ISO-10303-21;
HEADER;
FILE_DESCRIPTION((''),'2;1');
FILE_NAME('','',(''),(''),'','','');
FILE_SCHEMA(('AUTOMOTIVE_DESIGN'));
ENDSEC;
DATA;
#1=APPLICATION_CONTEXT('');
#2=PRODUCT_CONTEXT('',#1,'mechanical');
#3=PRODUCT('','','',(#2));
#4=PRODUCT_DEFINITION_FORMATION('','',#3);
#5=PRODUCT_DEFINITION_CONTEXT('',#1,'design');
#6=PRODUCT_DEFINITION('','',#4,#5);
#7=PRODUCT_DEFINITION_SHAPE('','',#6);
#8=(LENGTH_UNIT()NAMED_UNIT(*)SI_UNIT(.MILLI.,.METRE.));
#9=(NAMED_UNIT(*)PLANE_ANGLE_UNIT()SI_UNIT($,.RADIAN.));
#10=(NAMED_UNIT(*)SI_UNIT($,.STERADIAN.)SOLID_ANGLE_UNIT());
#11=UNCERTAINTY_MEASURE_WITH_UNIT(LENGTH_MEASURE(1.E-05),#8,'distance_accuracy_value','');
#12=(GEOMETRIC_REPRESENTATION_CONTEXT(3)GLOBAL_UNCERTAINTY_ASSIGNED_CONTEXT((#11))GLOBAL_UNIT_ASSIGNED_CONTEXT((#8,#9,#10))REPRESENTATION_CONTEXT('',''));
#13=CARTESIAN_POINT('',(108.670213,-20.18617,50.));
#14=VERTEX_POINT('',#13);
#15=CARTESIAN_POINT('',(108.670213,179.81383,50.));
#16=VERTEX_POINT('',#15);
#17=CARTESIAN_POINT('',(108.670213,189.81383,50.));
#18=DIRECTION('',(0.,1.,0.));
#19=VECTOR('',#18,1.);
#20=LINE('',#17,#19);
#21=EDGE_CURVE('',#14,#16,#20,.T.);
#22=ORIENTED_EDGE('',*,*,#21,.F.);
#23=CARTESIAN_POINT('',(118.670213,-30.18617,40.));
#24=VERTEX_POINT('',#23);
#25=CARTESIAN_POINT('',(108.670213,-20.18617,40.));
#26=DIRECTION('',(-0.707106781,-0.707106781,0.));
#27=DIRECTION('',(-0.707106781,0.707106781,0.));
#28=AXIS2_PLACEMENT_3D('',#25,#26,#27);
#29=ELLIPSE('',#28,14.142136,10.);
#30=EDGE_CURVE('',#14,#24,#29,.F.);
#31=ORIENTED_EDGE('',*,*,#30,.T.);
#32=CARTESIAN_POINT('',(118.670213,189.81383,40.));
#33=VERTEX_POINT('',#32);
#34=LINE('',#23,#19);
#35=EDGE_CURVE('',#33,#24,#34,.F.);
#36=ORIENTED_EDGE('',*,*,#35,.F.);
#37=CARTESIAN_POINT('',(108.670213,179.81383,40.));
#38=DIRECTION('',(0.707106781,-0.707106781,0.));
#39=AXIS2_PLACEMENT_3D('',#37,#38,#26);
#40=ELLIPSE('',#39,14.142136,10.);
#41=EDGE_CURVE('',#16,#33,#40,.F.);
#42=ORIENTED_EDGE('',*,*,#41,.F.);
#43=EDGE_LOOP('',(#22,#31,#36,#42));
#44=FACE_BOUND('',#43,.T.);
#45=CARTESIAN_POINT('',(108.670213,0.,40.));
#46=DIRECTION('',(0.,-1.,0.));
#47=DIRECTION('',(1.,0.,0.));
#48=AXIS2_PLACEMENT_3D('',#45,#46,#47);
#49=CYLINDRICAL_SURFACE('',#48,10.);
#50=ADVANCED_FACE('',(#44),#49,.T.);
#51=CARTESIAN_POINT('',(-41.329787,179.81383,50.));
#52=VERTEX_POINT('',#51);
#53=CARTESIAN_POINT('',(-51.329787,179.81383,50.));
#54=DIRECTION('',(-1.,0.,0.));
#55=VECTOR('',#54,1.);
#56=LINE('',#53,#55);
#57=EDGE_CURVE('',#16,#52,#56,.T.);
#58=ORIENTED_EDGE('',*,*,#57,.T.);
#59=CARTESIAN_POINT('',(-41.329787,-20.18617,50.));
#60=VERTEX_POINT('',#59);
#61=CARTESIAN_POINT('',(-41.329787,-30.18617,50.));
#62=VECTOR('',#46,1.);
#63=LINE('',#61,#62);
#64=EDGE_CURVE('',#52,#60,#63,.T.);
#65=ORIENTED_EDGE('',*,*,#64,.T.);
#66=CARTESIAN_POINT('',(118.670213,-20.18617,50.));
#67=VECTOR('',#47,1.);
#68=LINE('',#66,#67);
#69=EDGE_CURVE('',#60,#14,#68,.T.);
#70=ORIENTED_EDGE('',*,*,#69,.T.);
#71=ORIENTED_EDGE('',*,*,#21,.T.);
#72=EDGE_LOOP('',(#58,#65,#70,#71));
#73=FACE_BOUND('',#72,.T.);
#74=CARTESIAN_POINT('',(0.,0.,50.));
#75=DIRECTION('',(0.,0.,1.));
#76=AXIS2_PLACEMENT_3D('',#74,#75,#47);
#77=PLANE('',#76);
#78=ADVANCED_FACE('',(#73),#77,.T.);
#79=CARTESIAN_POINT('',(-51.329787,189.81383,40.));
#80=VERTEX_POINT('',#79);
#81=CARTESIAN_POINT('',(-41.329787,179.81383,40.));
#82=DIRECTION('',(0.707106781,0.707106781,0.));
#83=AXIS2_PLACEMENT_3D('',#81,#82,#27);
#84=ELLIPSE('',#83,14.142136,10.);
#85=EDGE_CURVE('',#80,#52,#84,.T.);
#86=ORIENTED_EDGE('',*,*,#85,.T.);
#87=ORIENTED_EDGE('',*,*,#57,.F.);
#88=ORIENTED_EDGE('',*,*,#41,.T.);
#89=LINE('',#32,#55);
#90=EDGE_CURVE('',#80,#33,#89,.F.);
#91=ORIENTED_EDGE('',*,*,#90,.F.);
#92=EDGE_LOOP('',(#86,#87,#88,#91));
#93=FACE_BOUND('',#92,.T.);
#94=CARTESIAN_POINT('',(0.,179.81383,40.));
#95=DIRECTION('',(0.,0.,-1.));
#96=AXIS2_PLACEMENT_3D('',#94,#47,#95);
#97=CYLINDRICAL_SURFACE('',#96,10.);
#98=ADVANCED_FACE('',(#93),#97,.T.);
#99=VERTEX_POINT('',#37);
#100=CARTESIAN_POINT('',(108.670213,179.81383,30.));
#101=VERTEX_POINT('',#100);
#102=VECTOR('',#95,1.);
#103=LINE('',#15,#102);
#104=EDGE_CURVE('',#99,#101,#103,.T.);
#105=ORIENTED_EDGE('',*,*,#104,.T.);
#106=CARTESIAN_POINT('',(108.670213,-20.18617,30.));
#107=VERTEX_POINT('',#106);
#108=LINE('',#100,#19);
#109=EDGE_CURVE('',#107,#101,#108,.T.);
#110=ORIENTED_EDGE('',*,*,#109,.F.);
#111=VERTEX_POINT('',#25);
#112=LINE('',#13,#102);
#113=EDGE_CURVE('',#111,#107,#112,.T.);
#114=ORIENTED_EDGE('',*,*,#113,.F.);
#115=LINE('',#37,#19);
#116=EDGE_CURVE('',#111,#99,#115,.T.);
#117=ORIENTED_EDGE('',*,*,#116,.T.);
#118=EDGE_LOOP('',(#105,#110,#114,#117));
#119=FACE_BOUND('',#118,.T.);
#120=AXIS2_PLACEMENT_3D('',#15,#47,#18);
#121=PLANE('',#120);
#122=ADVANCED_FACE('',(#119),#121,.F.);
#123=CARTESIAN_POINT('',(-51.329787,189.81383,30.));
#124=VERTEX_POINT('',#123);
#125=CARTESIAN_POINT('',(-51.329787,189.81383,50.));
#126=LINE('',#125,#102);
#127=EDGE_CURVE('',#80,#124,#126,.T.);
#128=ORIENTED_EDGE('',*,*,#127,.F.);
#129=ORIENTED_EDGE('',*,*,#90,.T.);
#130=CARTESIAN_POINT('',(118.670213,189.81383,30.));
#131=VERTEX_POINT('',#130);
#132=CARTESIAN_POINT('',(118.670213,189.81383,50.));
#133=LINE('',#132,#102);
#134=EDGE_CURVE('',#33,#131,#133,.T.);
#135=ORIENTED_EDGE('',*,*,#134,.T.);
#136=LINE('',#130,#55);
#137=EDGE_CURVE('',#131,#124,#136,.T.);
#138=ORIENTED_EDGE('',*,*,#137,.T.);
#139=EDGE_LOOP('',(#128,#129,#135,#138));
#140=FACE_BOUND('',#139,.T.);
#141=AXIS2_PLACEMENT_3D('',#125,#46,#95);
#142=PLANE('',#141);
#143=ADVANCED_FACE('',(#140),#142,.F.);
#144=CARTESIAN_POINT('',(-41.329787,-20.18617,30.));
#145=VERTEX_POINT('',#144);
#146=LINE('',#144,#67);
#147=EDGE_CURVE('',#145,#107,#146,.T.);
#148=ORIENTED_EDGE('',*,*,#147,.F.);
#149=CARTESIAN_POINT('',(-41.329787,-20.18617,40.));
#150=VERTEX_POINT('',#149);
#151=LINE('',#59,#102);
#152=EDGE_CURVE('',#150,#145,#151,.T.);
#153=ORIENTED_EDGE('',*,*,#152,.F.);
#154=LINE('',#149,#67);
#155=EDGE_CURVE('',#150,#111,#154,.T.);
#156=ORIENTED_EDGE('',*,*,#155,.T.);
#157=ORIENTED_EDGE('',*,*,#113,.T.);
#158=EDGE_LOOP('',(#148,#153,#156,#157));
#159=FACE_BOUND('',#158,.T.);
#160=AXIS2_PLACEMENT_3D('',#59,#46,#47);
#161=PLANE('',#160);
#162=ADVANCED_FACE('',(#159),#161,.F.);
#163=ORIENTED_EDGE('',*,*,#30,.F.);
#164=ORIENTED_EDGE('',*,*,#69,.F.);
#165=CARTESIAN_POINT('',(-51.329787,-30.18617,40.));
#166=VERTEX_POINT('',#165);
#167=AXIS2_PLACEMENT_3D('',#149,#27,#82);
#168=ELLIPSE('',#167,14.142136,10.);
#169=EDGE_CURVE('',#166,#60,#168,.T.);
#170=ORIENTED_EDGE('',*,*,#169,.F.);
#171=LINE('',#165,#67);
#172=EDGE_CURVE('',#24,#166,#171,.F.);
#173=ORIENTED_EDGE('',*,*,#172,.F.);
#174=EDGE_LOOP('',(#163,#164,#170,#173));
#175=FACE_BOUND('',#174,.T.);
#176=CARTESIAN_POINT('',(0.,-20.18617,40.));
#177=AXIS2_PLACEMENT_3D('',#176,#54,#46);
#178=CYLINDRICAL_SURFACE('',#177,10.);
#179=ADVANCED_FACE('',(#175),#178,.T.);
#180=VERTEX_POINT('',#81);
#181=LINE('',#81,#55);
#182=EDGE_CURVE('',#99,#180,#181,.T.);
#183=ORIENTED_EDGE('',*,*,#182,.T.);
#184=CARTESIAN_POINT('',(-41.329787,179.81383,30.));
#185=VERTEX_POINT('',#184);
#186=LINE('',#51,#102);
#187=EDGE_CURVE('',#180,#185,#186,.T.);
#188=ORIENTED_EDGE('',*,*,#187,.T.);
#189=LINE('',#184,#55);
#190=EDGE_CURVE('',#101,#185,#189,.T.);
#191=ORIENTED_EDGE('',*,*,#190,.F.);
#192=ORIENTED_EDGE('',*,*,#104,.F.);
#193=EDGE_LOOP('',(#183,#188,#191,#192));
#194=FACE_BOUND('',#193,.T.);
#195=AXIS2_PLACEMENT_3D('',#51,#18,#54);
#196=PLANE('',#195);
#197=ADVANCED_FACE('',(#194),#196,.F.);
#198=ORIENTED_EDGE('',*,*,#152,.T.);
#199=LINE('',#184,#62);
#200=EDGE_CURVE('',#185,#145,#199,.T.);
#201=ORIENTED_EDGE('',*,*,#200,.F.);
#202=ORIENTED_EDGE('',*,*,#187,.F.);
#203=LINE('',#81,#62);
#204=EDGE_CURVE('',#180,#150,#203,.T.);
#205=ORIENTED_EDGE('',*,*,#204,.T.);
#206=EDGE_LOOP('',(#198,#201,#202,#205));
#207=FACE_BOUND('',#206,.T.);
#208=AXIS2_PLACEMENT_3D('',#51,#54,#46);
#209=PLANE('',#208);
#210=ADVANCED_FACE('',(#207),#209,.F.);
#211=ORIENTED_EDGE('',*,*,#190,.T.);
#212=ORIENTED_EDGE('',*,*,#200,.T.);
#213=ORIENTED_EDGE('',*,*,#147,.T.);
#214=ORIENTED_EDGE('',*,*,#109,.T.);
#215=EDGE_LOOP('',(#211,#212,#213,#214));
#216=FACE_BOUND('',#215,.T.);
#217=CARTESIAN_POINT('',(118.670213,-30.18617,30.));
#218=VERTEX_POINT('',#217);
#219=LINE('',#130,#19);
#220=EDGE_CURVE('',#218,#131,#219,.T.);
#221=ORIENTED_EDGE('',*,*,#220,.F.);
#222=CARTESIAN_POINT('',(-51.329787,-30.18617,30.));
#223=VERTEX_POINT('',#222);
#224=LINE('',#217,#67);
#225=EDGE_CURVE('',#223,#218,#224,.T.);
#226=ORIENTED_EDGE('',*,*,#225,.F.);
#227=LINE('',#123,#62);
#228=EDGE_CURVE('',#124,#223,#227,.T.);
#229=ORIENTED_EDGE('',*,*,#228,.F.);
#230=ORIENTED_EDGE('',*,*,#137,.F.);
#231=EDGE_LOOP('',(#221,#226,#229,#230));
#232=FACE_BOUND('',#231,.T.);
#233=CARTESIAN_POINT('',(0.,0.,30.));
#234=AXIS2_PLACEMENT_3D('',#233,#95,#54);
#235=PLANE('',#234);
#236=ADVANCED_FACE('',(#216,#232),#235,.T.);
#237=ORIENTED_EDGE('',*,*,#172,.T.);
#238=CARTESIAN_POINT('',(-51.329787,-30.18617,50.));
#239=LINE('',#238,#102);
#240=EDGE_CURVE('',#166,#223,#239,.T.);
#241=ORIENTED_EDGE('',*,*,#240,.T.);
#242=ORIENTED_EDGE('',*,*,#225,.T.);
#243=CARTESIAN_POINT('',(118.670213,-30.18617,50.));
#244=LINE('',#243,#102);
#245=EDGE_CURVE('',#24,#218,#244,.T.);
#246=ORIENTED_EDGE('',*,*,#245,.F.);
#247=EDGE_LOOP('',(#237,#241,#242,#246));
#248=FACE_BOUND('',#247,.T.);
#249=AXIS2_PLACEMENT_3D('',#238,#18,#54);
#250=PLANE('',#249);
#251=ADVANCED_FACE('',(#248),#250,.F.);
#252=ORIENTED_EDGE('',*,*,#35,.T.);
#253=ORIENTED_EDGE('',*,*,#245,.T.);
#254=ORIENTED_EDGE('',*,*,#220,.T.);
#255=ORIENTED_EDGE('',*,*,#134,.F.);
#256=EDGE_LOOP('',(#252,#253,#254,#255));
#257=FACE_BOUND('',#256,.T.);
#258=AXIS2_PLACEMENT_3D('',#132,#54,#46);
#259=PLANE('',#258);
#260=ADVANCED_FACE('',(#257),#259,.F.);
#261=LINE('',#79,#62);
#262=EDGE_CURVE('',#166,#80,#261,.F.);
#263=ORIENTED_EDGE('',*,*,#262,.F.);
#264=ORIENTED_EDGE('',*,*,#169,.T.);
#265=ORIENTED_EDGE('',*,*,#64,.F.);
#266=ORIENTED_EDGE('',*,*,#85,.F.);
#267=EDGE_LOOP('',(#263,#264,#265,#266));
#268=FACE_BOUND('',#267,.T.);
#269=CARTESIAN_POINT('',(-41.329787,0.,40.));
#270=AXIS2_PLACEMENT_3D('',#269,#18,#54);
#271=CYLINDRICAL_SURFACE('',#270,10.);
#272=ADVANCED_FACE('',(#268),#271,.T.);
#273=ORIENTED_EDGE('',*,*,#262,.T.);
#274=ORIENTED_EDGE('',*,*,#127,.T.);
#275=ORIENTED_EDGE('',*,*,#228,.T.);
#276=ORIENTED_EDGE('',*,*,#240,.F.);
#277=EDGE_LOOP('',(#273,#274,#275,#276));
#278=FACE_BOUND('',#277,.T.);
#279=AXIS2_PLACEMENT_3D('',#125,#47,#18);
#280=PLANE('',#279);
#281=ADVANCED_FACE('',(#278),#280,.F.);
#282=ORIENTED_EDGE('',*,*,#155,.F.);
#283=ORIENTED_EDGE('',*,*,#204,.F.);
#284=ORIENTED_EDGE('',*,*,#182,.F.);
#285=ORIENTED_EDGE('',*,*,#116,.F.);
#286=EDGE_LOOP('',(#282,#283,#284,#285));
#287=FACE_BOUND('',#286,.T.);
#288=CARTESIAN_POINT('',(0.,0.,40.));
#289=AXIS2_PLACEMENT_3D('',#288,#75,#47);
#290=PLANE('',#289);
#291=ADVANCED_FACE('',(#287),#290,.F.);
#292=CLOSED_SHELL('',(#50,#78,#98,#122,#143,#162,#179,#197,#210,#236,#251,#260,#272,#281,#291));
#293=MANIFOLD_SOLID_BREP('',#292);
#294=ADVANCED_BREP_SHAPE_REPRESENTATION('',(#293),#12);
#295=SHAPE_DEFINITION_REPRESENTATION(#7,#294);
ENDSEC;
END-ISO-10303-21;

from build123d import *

# Parameters (mm, degrees)
SKETCH2_W           = 170
SKETCH2_H           = 220
BOSS_EXTRUDE1_DEPTH = 50
FILLET1_R           = 10
SKETCH3_W           = 150
SKETCH3_H           = 200
CUT_EXTRUDE1_DEPTH  = 50
SKETCH6_W           = 150
SKETCH6_H           = 200
BOSS_EXTRUDE2_DEPTH = 10
SKETCH7_W           = 170
SKETCH7_H           = 220
CUT_EXTRUDE3_DEPTH  = 30


with BuildPart() as part:
    # Sketch2 → Boss-Extrude1 (new body)
    with BuildSketch(Plane.XY):
        with Locations((33.670212766, 79.813829787)):
            Rectangle(SKETCH2_W, SKETCH2_H)
    extrude(amount=BOSS_EXTRUDE1_DEPTH)

    # Fillet1
    fillet1_edges = [part.edges().sort_by_distance(p)[0] for p in [
        (118.670212766, 79.813829787, 50),
        (33.670212766, 189.813829787, 50),
        (-51.329787234, 79.813829787, 50),
        (33.670212766, -30.186170213, 50),
    ]]
    fillet(fillet1_edges, radius=FILLET1_R)

    # Sketch3 → Cut-Extrude1 (cut)
    with BuildSketch(Plane(origin=(0, 0, 0), x_dir=(-1, 0, 0), z_dir=(0, 0, -1))):
        with Locations((-33.670212766, 79.813829787)):
            Rectangle(SKETCH3_W, SKETCH3_H)
    extrude(amount=-CUT_EXTRUDE1_DEPTH, mode=Mode.SUBTRACT)

    # Sketch6 → Boss-Extrude2 (add)
    with BuildSketch(Plane.XY.offset(40)):
        with Locations((33.670212766, 79.813829787)):
            Rectangle(SKETCH6_W, SKETCH6_H)
    extrude(amount=BOSS_EXTRUDE2_DEPTH)

    # Sketch7 → Cut-Extrude3 (cut)
    with BuildSketch(Plane.XY):
        with Locations((33.670212766, 79.813829787)):
            Rectangle(SKETCH7_W, SKETCH7_H)
    extrude(amount=CUT_EXTRUDE3_DEPTH, mode=Mode.SUBTRACT)


solid = part.part
